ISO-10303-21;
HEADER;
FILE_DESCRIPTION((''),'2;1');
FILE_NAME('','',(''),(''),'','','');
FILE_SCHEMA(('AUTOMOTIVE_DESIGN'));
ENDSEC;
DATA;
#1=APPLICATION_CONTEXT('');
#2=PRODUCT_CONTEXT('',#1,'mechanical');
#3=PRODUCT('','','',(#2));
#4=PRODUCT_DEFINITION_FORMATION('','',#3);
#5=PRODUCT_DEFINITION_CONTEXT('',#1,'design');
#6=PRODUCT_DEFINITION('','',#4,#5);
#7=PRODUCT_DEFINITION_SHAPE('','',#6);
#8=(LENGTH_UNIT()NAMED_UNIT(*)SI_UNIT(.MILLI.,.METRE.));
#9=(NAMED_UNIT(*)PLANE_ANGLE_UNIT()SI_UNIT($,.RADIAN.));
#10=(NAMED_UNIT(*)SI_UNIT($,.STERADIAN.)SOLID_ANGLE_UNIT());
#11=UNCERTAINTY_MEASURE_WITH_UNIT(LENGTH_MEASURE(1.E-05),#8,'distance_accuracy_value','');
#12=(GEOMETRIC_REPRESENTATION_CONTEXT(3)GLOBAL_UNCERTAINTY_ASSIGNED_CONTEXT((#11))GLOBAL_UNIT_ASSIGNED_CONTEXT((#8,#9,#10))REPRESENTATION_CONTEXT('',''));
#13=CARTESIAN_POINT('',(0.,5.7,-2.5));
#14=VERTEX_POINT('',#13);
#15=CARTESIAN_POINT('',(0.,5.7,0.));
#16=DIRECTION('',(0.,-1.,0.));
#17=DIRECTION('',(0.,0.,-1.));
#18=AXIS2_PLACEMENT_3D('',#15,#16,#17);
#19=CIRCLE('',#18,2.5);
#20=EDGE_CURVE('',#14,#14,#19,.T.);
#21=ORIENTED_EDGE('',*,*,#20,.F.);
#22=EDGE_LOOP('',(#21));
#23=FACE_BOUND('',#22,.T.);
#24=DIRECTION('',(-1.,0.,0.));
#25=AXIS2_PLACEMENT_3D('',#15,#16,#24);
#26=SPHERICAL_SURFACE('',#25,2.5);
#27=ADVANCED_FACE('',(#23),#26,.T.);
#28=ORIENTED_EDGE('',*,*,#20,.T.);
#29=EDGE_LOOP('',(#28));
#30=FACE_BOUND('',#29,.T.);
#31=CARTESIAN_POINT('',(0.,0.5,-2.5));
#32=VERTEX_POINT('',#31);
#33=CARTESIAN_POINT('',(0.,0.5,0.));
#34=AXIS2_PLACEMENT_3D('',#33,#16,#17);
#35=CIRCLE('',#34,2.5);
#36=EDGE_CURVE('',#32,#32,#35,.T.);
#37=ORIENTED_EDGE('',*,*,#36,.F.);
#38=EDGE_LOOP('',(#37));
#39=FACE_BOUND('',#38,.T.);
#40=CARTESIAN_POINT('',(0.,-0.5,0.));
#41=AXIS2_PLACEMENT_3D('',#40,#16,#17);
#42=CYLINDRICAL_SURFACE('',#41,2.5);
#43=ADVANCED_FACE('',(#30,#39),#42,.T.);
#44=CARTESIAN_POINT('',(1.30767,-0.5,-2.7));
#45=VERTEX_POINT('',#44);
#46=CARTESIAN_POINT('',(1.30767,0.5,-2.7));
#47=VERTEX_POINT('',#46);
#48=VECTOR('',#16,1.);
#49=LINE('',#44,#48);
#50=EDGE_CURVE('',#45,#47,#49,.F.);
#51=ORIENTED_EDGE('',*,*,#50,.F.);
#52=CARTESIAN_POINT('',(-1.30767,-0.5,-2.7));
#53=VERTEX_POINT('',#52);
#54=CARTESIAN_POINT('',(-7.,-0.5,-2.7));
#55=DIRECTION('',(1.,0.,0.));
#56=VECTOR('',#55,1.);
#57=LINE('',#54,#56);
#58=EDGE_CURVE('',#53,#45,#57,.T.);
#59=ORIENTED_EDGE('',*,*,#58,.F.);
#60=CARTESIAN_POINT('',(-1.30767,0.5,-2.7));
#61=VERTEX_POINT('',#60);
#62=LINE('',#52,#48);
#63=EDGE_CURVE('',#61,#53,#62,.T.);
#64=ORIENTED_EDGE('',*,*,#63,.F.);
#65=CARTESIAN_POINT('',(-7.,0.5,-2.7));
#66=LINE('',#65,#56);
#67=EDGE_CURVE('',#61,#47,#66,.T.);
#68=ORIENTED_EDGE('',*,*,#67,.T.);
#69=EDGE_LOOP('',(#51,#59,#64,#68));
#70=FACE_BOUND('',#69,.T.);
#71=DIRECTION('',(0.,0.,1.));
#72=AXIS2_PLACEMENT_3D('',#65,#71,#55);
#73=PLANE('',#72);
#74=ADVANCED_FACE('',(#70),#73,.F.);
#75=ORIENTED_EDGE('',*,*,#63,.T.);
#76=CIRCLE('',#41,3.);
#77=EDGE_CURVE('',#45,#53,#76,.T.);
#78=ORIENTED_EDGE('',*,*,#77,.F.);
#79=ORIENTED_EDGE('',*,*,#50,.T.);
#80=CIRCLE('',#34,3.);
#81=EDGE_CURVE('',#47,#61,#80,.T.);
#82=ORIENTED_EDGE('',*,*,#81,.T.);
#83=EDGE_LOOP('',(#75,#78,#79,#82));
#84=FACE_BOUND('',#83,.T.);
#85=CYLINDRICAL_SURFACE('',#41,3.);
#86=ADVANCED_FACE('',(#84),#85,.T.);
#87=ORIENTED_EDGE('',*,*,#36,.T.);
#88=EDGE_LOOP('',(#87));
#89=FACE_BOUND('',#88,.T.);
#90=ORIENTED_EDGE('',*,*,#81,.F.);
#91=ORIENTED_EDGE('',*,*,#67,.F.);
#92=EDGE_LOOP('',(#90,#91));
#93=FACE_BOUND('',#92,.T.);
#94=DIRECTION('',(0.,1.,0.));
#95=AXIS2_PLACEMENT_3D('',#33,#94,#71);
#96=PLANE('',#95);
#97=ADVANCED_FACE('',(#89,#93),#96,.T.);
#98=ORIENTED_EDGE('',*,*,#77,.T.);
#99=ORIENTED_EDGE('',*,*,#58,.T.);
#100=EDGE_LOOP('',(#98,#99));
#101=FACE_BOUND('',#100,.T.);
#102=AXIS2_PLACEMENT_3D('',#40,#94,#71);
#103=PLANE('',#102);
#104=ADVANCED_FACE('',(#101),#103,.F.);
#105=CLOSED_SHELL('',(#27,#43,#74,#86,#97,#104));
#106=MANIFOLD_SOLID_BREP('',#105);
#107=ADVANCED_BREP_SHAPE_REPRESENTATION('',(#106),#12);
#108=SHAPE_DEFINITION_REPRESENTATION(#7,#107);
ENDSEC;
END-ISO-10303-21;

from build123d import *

# Parameters (mm, degrees)
SKETCH3_W          = 0.3
SKETCH3_H          = 1
CUT_EXTRUDE1_DEPTH = 10


with BuildPart() as part:
    # Sketch1 → Revolve1 (revolve)
    with BuildSketch(Plane.XY, mode=Mode.PRIVATE) as revolve1_sk:
        with BuildLine():
            Line((-3, -0.5), (0, -0.5))
            Line((0, -0.5), (0, 8.2))
            ThreePointArc((0, 8.2), (-1.767766953, 7.467766953), (-2.5, 5.7))
            Line((-2.5, 5.7), (-2.5, 0.5))
            Line((-2.5, 0.5), (-3, 0.5))
            Line((-3, 0.5), (-3, -0.5))
        make_face()
    revolve(revolve1_sk.sketch.rotate(Axis((0, -0.5, 0), (0, 1, 0)), 270), axis=Axis((0, -0.5, 0), (0, 1, 0)))

    # Sketch3 → Cut-Extrude1 (cut)
    with BuildSketch(Plane(origin=(3, 0, 0), x_dir=(0, 0, -1), z_dir=(1, 0, 0))):
        with Locations((2.85, 0)):
            Rectangle(SKETCH3_W, SKETCH3_H)
    extrude(amount=-CUT_EXTRUDE1_DEPTH, mode=Mode.SUBTRACT)


solid = part.part
